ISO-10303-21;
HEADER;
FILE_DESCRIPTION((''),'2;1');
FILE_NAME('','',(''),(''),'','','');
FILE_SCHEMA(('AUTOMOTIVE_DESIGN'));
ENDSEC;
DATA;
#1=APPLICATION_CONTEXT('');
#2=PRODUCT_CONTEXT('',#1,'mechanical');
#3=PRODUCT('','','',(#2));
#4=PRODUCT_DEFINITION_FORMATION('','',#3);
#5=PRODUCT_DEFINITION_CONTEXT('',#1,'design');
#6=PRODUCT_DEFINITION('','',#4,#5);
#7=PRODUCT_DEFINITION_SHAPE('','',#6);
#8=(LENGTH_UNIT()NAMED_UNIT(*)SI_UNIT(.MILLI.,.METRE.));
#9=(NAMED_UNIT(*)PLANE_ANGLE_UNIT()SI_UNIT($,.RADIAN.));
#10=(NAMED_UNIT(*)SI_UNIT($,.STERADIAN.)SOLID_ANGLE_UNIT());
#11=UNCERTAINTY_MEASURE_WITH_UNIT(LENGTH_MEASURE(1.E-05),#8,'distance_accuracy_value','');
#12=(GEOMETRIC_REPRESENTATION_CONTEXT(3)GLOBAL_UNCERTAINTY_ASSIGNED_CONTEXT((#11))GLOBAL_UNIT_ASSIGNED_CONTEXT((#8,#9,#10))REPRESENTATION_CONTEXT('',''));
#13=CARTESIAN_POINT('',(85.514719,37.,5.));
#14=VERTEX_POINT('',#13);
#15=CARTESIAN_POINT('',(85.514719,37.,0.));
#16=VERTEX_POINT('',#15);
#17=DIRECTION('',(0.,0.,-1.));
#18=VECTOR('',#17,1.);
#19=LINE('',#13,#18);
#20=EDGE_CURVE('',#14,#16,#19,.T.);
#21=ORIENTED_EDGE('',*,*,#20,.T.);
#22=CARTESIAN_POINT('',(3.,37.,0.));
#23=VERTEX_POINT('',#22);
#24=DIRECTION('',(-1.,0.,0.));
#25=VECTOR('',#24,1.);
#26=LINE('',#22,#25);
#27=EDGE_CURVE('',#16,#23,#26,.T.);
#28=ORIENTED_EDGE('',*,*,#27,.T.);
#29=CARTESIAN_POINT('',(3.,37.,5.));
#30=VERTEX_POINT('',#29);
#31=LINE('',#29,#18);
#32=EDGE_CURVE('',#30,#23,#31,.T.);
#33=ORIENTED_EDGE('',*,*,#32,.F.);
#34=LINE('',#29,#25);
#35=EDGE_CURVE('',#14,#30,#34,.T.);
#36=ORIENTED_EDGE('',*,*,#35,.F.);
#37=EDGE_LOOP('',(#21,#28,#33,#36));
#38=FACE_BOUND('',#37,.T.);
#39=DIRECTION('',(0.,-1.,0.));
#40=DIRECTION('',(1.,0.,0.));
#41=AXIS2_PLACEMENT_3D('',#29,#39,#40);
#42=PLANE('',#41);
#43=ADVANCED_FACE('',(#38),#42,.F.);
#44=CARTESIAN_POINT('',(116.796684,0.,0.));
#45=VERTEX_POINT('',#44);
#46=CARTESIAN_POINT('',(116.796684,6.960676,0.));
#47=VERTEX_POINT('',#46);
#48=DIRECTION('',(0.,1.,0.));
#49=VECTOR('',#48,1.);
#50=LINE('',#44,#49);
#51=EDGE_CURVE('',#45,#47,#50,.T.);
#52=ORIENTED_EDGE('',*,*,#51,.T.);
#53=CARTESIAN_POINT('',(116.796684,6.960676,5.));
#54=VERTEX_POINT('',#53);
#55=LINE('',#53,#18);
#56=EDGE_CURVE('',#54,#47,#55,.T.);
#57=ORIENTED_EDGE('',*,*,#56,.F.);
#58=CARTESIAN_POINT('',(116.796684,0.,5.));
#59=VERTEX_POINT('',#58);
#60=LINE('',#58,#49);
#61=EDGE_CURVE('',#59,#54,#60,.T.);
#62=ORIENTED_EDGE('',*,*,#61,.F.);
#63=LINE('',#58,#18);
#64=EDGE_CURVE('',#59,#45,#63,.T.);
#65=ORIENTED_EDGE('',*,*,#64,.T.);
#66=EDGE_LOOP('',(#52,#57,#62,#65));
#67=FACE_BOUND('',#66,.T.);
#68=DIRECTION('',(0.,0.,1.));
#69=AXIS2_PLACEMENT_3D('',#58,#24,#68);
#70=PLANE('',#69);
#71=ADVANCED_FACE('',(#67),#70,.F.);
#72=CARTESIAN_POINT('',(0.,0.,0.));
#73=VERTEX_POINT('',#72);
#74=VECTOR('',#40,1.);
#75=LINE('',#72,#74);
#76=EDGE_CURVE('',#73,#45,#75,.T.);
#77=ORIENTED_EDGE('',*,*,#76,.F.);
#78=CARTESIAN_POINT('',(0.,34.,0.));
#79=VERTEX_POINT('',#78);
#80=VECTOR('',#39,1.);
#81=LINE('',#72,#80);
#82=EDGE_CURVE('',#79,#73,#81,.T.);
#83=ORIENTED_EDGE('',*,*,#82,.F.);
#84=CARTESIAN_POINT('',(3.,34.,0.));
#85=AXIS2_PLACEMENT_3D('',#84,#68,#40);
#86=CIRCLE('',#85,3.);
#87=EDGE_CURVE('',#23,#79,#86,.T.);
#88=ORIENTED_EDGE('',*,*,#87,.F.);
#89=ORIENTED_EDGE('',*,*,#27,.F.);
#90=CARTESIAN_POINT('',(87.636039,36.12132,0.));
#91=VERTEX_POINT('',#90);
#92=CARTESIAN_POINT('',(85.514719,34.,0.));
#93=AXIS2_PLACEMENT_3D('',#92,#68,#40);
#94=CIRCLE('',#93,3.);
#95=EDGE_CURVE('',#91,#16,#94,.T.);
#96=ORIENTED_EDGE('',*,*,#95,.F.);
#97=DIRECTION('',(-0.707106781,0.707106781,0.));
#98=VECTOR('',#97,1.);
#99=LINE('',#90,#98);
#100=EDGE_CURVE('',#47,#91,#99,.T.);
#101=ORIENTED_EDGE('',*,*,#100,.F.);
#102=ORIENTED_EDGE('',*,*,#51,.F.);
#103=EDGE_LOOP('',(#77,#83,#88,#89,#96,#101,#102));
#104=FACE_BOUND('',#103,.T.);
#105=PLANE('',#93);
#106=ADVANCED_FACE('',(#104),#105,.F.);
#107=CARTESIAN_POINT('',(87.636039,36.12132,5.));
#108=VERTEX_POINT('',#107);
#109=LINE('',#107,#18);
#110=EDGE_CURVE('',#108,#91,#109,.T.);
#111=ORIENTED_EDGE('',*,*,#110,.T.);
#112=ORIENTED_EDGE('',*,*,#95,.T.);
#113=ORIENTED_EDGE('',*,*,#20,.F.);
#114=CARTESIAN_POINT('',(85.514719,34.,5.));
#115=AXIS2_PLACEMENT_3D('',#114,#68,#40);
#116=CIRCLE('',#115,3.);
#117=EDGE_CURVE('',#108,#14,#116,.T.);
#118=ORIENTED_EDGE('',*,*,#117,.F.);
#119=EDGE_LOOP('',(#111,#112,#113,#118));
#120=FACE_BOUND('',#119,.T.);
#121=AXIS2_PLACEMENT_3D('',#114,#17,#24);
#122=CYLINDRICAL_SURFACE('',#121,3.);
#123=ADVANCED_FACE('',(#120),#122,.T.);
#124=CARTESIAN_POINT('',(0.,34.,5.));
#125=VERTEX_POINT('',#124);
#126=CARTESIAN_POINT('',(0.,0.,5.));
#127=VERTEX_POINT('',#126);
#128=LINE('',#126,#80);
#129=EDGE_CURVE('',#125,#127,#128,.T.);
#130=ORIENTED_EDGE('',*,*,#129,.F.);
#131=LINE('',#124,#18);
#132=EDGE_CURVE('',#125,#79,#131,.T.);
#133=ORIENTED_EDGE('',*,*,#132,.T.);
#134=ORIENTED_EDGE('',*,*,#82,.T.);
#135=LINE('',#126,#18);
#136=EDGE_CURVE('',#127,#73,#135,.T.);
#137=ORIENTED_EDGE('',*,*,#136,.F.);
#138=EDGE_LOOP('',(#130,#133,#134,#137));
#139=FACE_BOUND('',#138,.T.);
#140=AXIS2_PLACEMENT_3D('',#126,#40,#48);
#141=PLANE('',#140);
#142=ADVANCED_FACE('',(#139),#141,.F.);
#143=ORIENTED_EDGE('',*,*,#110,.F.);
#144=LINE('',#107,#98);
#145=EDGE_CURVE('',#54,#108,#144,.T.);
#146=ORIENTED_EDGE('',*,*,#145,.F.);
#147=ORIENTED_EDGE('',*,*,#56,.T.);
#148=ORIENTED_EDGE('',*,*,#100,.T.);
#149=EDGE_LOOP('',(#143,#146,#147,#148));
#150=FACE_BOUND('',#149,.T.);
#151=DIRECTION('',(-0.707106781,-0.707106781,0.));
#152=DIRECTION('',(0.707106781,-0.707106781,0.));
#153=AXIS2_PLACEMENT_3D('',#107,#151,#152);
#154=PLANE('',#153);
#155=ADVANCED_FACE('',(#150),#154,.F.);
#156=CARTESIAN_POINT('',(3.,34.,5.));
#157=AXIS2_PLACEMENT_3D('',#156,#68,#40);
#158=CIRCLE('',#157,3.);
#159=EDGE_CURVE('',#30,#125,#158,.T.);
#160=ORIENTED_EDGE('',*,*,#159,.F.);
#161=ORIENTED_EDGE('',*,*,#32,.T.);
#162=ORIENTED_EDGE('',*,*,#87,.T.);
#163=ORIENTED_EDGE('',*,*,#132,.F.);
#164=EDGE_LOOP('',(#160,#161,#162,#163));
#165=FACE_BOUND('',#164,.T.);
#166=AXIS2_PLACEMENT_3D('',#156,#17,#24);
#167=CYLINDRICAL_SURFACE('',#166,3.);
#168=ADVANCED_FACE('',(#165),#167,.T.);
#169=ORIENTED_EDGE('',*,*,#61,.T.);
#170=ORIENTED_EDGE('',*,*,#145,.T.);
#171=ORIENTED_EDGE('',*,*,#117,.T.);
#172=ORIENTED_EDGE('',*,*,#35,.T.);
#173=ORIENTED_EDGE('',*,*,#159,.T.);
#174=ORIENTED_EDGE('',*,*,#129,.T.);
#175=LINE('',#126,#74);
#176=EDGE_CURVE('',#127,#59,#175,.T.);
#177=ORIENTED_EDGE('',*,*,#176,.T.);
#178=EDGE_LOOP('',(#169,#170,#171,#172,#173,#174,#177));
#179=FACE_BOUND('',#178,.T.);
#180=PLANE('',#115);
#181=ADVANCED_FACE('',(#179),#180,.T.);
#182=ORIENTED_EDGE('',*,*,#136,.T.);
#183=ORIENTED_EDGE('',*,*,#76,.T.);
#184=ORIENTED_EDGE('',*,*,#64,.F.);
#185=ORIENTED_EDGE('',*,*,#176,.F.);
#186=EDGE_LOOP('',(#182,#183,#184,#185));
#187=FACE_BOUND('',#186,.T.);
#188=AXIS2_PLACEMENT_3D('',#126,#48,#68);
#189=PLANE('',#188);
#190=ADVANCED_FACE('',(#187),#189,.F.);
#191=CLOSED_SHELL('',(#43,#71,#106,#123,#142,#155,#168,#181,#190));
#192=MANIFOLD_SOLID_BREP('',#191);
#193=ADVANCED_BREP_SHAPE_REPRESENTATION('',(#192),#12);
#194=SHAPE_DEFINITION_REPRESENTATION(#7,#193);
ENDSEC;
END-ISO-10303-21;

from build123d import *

# Parameters (mm, degrees)
SALIENTE_EXTRUIR1_DEPTH = 5


with BuildPart() as part:
    # Croquis1 → Saliente-Extruir1 (new body)
    with BuildSketch(Plane.XY):
        with BuildLine():
            Line((87.636038969, 36.121320344), (116.796683693, 6.96067562))
            Line((116.796683693, 6.96067562), (116.796683693, 0))
            Line((116.796683693, 0), (0, 0))
            Line((0, 0), (0, 34))
            ThreePointArc((0, 34), (0.878679656, 36.121320344), (3, 37))
            Line((3, 37), (85.514718626, 37))
            ThreePointArc((85.514718626, 37), (86.662768923, 36.771638598), (87.636038969, 36.121320344))
        make_face()
    extrude(amount=SALIENTE_EXTRUIR1_DEPTH)


solid = part.part
